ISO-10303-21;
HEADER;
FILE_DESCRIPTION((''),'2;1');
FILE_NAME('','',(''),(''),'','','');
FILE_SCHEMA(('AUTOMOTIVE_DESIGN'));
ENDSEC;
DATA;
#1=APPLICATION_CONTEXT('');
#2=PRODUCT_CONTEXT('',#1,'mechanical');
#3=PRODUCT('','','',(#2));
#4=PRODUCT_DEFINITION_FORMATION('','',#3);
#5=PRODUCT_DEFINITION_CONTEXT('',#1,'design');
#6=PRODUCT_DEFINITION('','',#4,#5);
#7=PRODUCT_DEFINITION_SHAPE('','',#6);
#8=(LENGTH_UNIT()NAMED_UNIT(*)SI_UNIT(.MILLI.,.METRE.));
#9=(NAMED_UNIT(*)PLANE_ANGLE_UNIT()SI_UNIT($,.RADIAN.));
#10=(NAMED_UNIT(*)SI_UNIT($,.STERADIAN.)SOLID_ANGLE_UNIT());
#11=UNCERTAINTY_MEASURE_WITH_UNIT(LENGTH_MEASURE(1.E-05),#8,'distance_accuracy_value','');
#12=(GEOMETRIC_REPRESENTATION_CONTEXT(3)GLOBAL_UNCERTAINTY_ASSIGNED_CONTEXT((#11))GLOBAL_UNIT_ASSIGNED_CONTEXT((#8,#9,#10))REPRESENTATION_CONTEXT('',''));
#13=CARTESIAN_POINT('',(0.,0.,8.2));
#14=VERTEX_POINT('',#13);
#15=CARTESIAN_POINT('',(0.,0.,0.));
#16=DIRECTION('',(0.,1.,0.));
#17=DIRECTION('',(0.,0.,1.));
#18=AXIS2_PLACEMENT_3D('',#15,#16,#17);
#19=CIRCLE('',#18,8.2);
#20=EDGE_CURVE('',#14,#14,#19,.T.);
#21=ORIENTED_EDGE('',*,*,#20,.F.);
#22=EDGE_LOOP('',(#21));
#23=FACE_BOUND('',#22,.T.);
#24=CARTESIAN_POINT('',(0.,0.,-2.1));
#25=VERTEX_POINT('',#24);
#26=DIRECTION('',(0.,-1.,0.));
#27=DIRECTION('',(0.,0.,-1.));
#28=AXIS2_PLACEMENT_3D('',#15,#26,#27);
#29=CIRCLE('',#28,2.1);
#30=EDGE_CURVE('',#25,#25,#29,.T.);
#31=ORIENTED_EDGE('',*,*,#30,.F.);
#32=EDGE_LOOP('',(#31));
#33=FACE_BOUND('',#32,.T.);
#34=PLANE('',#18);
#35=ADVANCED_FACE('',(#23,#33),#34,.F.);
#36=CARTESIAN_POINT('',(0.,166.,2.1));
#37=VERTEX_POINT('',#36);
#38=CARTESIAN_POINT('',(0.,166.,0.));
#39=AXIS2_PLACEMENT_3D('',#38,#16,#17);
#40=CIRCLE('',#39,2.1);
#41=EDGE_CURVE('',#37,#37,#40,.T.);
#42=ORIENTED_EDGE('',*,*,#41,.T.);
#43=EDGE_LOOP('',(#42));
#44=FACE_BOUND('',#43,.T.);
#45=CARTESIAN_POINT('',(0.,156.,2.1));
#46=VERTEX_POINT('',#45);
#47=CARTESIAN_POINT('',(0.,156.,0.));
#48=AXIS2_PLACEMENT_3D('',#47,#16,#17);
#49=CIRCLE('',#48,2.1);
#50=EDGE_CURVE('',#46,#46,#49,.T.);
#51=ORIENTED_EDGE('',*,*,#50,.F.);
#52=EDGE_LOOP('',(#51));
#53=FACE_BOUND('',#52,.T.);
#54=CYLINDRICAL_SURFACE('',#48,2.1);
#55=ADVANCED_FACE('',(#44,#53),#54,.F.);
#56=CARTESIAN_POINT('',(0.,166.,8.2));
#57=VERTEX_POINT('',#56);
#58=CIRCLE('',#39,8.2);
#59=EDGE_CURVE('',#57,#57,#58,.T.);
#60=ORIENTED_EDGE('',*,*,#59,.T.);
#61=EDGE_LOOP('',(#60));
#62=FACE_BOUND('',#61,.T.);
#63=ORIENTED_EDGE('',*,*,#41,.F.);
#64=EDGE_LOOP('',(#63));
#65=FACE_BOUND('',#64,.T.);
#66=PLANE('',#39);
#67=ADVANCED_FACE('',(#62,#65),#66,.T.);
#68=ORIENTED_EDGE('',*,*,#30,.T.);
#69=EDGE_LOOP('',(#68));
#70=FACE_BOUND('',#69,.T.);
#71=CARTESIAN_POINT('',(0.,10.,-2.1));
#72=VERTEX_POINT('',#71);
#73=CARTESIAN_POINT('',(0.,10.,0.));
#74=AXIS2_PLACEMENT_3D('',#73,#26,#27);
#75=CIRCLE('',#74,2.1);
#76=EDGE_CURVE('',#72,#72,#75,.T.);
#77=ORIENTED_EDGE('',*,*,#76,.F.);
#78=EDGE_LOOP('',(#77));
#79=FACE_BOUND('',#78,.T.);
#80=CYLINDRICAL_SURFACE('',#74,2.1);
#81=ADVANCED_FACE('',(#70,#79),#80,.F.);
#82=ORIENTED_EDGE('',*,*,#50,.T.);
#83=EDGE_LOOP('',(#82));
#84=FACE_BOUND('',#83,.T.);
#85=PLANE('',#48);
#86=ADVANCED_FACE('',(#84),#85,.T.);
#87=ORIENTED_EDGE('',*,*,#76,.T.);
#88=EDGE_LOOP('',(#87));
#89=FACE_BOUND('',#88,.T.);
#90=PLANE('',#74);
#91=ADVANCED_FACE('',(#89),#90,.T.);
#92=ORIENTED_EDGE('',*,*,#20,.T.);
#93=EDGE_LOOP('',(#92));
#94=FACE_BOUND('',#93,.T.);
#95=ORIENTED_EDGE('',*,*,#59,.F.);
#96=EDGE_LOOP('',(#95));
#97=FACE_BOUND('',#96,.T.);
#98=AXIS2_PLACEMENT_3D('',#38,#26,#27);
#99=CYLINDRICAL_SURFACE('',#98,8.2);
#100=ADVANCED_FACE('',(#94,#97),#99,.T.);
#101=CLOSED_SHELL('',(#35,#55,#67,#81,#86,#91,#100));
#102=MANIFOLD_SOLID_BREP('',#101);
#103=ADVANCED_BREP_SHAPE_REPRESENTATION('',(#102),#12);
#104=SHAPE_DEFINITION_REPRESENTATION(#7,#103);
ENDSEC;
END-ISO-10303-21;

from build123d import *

# Parameters (mm, degrees)
SKETCH2_R           = 8.2
BOSS_EXTRUDE1_DEPTH = 166
SKETCH3_R           = 2.1
CUT_EXTRUDE1_DEPTH  = 10
CUT_EXTRUDE2_START  = -10
SKETCH4_R           = 2.1
CUT_EXTRUDE2_DEPTH  = 10


with BuildPart() as part:
    # Sketch2 → Boss-Extrude1 (new body)
    with BuildSketch(Plane(origin=(0, 0, 0), x_dir=(1, 0, 0), z_dir=(0, 1, 0))):
        with Locations(Location((0, 0, 0), (0, 0, 270))):
            Circle(SKETCH2_R)
    extrude(amount=BOSS_EXTRUDE1_DEPTH)

    # Sketch3 → Cut-Extrude1 (cut)
    with BuildSketch(Plane(origin=(0, 166, 0), x_dir=(1, 0, 0), z_dir=(0, 1, 0))):
        with Locations(Location((0, 0, 0), (0, 0, 270))):
            Circle(SKETCH3_R)
    extrude(amount=-CUT_EXTRUDE1_DEPTH, mode=Mode.SUBTRACT)

    # Sketch4 → Cut-Extrude2 (cut)
    with BuildSketch(Plane.XZ.offset(CUT_EXTRUDE2_START)):
        with Locations(Location((0, 0, 0), (0, 0, 90))):
            Circle(SKETCH4_R)
    extrude(amount=CUT_EXTRUDE2_DEPTH, mode=Mode.SUBTRACT)


solid = part.part
